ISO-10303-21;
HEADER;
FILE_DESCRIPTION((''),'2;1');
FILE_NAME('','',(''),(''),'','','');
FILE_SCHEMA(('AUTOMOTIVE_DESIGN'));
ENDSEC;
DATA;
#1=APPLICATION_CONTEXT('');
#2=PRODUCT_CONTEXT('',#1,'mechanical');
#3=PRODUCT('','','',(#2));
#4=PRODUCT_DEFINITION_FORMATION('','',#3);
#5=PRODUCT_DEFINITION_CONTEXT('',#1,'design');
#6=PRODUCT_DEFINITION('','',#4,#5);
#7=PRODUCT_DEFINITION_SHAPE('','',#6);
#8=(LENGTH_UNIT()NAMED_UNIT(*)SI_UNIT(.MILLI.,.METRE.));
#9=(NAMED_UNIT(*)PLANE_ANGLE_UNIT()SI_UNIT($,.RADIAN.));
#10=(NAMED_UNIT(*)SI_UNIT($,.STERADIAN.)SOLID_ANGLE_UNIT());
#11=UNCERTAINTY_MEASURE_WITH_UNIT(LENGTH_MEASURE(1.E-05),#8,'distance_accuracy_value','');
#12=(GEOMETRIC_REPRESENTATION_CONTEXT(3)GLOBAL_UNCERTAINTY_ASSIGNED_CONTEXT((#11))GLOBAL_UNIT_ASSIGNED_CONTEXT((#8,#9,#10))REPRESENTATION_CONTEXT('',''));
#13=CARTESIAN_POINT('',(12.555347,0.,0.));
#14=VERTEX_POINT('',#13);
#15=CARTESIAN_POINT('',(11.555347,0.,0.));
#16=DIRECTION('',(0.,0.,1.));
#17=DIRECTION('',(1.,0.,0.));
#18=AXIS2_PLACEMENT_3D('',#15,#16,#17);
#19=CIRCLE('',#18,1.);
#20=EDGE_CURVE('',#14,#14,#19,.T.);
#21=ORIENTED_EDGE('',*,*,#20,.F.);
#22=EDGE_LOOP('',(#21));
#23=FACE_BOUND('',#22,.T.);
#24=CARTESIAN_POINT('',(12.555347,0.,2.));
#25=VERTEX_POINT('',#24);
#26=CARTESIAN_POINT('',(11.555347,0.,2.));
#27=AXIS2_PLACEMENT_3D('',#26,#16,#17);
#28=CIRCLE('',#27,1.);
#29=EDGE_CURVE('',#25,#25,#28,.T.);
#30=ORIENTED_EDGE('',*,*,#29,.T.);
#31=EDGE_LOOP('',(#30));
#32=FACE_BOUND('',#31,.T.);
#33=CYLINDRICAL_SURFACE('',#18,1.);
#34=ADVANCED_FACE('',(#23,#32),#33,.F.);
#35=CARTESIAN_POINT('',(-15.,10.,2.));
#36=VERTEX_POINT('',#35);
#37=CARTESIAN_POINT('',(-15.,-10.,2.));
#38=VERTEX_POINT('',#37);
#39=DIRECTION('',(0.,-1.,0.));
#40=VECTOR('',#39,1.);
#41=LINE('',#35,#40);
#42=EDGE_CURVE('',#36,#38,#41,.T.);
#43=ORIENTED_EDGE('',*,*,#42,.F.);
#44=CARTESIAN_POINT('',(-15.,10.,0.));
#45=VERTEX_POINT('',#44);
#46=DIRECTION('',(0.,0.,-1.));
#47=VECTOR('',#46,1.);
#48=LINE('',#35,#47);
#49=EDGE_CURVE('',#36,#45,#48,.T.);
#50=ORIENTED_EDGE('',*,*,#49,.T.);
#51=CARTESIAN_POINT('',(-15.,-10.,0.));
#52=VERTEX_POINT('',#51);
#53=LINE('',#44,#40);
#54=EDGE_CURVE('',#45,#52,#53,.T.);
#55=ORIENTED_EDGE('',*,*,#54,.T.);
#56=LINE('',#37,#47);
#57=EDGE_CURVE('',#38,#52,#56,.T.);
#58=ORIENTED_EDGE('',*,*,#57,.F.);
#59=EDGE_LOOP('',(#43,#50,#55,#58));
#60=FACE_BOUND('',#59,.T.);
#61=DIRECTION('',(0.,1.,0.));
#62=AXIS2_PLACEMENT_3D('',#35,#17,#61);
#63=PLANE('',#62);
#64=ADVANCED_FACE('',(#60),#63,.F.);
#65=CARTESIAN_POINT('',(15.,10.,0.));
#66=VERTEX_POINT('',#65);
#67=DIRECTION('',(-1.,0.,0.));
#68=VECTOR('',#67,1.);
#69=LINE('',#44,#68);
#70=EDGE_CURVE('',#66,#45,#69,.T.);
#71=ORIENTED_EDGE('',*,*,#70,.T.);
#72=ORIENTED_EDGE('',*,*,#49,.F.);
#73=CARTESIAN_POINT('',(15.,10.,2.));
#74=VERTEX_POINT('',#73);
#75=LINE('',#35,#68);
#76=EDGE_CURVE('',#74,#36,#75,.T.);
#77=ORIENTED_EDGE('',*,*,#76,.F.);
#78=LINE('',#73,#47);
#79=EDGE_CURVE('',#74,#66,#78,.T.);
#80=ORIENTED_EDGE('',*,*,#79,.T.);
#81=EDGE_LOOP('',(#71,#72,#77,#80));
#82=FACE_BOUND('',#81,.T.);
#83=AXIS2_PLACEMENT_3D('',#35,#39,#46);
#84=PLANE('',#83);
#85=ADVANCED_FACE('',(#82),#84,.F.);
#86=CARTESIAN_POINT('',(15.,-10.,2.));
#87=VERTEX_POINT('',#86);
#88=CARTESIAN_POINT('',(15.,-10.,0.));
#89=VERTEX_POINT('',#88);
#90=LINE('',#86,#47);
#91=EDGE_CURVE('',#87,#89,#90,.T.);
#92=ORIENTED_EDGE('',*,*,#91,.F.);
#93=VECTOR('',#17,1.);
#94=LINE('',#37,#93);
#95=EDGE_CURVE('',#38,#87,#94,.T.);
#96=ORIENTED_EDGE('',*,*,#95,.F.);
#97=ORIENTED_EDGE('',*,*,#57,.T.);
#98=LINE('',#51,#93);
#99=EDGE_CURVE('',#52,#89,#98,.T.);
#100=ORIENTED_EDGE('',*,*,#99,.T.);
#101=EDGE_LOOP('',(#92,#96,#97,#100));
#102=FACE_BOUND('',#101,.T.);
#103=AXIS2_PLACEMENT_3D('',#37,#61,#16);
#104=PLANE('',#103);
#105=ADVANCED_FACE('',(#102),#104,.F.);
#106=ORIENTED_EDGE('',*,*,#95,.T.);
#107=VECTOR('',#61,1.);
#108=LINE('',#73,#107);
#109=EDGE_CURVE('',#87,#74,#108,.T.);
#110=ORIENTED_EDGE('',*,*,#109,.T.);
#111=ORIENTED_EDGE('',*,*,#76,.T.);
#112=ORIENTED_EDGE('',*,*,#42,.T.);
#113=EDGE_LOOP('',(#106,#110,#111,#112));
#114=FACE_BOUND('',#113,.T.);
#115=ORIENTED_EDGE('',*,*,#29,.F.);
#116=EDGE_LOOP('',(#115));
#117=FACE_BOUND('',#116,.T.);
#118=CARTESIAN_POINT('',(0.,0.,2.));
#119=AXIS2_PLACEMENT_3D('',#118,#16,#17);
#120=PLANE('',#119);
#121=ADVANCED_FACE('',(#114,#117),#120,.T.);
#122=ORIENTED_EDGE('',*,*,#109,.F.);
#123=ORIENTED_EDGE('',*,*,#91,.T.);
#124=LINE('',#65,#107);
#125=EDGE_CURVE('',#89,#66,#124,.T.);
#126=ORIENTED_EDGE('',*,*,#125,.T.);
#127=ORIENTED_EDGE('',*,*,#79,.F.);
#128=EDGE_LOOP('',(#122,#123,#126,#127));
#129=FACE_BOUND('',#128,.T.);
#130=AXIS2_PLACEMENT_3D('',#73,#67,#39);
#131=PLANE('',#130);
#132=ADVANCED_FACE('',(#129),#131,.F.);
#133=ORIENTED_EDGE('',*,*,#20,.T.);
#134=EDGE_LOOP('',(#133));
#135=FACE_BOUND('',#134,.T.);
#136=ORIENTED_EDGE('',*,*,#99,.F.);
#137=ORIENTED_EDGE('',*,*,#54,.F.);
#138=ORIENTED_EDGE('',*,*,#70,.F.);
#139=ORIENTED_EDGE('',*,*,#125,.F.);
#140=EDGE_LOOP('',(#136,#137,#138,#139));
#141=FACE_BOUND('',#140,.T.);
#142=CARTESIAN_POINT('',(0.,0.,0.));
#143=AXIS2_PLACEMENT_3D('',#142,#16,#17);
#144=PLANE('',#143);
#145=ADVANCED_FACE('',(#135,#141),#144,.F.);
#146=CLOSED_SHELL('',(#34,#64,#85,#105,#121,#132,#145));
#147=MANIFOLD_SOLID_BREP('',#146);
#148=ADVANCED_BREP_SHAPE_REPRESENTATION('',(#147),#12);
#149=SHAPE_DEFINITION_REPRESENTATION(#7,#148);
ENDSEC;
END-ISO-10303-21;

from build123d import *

# Parameters (mm, degrees)
SKETCH_1_W          = 30
SKETCH_1_H          = 20
EXTRUDE_1_DEPTH     = 2
SKETCH_2_R          = 1
CUT_EXTRUDE_1_DEPTH = 2


with BuildPart() as part:
    # 스케치1 → 보스-돌출1 (new body)
    with BuildSketch(Plane.XY):
        Rectangle(SKETCH_1_W, SKETCH_1_H)
    extrude(amount=EXTRUDE_1_DEPTH)

    # 스케치2 → 컷-돌출1 (cut)
    with BuildSketch(Plane.XY.offset(2)):
        with Locations((11.555346509, 0)):
            Circle(SKETCH_2_R)
    extrude(amount=-CUT_EXTRUDE_1_DEPTH, mode=Mode.SUBTRACT)


solid = part.part
